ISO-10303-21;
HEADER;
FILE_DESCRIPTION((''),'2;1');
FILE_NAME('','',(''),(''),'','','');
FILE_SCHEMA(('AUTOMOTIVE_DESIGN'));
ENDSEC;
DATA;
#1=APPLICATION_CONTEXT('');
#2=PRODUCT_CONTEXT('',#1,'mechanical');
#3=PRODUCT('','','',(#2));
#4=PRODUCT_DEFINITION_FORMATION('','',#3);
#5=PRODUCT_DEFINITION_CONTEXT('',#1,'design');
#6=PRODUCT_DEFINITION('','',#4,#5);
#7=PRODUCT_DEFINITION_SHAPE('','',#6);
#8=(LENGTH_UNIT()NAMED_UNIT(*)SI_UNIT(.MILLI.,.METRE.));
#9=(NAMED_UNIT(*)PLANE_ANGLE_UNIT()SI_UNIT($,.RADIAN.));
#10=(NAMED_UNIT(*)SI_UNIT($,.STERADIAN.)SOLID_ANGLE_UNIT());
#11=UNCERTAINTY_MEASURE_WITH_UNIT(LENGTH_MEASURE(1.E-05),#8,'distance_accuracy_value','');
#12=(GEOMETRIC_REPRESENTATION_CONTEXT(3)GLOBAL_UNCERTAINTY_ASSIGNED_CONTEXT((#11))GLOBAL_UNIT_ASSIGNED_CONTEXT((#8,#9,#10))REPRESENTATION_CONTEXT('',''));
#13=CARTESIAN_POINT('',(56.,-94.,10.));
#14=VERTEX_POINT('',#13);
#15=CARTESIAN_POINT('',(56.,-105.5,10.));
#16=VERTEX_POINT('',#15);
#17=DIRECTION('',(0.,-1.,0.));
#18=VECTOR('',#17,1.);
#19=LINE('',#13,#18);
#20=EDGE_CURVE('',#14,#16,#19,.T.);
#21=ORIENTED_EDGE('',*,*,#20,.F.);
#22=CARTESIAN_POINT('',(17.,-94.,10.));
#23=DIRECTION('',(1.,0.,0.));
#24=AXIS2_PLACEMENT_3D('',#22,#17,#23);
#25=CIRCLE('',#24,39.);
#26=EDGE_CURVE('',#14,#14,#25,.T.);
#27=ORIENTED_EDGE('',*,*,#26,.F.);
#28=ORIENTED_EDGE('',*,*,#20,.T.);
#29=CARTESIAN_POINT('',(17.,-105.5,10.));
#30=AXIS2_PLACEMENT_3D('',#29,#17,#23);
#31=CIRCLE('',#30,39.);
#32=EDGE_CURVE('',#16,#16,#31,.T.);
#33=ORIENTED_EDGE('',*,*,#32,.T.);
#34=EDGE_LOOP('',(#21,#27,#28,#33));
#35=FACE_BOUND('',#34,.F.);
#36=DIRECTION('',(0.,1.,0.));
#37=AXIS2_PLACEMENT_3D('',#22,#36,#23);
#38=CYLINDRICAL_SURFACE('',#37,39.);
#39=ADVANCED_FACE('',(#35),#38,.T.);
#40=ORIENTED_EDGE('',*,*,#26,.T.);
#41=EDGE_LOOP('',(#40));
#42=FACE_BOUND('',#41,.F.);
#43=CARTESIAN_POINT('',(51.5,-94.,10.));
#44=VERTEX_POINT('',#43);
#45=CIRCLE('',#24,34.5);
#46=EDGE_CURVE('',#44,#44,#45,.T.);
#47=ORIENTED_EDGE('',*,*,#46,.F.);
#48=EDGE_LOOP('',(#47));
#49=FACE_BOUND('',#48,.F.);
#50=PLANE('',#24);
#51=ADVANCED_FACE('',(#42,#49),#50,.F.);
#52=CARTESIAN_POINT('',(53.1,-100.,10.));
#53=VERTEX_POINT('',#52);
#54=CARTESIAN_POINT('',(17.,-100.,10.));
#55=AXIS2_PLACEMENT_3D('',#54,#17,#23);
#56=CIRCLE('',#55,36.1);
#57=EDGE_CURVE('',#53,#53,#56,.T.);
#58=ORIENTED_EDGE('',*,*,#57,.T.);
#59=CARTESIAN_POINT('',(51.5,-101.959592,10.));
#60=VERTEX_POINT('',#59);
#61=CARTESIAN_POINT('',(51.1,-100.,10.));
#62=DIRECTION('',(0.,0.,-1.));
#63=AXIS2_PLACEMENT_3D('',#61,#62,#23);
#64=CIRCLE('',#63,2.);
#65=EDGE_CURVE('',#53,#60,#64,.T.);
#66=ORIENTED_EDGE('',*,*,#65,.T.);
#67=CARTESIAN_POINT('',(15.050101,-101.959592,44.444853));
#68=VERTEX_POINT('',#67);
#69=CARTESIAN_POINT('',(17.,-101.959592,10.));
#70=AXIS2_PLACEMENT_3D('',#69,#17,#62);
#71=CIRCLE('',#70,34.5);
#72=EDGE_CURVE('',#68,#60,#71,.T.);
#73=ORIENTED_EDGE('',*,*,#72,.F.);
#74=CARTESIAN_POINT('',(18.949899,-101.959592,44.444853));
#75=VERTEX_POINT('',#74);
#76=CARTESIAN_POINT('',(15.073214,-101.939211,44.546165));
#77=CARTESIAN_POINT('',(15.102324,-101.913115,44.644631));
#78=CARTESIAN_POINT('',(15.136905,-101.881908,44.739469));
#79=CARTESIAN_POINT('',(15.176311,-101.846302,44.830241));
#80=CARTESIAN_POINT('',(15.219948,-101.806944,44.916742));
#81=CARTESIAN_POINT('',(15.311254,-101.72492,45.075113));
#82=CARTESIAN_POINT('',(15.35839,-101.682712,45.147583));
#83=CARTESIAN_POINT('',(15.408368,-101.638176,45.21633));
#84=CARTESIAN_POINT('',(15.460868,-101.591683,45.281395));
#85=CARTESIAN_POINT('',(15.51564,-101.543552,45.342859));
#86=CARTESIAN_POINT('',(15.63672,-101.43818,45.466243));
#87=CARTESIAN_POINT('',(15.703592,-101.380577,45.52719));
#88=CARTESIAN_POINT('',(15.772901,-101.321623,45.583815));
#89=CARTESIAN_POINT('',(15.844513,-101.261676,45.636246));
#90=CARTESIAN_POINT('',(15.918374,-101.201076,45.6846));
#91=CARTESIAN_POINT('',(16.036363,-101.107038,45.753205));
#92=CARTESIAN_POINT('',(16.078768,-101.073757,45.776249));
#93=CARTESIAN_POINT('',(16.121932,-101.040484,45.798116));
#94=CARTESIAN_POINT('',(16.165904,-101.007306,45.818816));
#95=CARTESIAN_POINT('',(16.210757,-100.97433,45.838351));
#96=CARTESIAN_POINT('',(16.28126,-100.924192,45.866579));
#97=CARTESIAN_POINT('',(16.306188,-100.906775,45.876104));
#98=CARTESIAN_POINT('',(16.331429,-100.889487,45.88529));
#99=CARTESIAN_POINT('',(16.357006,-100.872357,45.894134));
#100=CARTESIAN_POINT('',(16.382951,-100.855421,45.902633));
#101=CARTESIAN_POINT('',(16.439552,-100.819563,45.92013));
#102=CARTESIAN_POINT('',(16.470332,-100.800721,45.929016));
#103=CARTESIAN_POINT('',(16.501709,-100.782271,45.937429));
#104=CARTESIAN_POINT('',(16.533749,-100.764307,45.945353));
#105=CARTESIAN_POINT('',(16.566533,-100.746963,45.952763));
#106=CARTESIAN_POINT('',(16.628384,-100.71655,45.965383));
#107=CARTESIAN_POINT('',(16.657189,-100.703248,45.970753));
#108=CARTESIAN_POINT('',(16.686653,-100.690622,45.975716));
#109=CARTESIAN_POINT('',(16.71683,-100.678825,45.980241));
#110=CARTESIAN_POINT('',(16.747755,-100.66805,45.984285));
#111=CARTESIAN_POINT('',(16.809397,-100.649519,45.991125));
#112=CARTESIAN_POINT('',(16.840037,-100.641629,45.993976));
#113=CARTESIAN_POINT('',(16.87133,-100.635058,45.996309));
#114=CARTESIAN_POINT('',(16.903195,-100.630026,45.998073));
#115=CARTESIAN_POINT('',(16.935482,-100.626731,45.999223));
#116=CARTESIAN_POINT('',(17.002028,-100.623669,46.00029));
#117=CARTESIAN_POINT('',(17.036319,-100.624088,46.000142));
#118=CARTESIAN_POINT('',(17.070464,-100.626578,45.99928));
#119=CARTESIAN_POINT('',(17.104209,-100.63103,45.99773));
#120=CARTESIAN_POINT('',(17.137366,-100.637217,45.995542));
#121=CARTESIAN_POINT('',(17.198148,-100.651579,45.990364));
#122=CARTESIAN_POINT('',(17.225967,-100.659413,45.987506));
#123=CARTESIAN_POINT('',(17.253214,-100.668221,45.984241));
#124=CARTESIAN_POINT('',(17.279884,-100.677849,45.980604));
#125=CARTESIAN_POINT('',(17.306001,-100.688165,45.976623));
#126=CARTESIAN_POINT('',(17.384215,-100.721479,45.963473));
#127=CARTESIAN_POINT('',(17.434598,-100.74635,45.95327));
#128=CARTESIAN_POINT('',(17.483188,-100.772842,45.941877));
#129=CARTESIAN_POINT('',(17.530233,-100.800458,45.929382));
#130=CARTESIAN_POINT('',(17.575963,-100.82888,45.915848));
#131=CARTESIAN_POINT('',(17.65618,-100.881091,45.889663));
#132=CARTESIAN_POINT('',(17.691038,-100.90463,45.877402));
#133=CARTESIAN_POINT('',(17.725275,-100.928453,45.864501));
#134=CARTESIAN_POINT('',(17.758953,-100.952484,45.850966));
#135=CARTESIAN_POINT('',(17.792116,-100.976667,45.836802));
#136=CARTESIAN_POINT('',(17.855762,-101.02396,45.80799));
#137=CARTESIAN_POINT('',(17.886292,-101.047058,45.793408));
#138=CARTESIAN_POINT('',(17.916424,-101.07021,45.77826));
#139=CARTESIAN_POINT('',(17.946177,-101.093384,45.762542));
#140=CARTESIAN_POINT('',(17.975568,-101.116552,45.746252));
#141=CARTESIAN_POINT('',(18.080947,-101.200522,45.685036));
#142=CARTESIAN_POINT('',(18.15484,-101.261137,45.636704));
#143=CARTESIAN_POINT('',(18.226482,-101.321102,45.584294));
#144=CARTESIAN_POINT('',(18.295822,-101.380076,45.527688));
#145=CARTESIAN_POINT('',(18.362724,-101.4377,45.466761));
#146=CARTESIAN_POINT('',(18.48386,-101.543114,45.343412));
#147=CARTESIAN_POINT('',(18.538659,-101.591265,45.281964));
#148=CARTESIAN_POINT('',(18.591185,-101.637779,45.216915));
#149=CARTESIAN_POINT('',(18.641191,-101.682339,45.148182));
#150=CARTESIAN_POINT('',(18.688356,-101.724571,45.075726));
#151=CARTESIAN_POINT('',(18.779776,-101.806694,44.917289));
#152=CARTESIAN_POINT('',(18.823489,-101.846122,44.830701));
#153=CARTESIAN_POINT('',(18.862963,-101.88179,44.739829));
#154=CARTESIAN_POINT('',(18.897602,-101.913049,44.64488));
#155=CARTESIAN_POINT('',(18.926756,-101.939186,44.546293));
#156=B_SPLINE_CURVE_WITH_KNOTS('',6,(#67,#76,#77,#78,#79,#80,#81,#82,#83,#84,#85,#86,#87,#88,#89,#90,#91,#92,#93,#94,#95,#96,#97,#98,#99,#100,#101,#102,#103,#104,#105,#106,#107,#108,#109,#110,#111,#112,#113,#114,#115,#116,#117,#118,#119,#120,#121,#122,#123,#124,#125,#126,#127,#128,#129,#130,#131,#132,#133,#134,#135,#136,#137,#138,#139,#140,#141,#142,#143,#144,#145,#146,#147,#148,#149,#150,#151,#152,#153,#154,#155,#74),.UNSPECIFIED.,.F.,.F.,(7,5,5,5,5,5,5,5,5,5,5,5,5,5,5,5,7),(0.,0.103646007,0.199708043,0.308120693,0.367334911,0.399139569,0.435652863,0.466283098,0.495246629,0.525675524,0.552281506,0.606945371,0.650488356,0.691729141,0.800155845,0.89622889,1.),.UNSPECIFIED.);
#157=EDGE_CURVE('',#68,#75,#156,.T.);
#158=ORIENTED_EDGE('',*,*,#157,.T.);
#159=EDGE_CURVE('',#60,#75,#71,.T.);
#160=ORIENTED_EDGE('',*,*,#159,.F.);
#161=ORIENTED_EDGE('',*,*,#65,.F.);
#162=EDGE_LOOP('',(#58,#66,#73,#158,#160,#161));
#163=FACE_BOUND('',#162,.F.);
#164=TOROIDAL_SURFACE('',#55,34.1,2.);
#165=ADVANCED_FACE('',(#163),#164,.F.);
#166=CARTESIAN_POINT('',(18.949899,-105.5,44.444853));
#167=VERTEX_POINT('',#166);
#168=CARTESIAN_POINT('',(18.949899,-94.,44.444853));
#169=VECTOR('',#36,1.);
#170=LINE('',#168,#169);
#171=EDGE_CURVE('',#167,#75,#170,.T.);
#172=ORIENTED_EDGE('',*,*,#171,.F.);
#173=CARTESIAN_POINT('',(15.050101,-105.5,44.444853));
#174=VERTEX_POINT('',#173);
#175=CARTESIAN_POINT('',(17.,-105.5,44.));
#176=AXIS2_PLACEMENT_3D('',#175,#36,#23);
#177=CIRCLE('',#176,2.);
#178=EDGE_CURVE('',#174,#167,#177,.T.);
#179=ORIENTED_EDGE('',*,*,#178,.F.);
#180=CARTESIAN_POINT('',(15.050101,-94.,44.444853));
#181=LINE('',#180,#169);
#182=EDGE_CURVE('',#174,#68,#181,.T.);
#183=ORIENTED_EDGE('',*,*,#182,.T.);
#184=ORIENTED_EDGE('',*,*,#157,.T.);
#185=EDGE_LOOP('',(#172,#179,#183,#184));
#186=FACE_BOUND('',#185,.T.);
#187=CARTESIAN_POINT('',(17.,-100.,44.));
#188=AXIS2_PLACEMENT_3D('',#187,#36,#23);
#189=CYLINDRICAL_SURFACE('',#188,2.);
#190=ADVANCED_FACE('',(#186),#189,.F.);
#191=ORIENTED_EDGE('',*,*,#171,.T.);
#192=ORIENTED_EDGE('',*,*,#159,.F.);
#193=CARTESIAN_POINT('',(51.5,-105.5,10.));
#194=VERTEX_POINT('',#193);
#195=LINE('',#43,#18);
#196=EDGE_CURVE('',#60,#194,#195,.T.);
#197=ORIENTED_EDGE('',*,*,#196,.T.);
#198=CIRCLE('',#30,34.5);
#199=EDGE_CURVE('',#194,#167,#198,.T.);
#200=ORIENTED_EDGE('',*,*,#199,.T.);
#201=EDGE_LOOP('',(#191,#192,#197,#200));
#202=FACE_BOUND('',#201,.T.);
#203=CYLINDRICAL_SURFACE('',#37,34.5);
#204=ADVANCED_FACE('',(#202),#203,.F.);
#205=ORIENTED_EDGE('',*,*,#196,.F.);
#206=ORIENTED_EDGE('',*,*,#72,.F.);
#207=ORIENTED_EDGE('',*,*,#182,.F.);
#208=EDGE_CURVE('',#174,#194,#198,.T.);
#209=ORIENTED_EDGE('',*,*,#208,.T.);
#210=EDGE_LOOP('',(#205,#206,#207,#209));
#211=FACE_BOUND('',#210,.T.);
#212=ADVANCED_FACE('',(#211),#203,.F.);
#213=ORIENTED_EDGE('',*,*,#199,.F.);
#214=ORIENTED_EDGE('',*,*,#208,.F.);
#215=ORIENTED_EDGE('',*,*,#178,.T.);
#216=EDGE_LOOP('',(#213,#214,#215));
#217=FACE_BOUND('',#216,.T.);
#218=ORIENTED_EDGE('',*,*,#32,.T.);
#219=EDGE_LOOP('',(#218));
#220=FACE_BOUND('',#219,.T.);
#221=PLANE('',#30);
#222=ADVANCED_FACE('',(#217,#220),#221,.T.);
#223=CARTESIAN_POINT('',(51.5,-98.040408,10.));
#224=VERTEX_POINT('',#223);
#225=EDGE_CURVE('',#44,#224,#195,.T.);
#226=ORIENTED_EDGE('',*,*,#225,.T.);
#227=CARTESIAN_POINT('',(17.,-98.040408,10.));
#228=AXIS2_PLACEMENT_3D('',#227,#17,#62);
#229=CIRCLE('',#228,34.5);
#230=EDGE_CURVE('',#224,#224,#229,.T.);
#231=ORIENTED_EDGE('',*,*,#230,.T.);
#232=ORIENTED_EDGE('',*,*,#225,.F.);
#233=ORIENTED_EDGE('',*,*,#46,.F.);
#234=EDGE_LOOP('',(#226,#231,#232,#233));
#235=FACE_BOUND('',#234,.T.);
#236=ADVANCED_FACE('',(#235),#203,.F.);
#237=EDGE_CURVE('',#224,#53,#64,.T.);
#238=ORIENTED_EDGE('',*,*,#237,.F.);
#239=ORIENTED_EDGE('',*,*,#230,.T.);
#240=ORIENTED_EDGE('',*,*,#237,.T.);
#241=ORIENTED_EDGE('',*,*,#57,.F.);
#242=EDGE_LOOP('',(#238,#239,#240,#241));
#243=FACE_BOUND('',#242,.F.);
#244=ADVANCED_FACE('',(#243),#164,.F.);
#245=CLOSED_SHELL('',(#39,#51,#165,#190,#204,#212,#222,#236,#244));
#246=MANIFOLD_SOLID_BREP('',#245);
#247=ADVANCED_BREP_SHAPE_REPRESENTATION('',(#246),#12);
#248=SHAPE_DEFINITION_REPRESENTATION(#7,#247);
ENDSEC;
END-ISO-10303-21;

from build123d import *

# Parameters (mm, degrees)
CYLINDER2620_R     = 2
CYLINDER2620_DEPTH = 10
TORUS004_R         = 2
TUBE115_R          = 39
TUBE115_R_2        = 34.5
TUBE115_DEPTH      = 11.5


with BuildPart() as v_lec2590:
    # Cylinder2620 → Cylinder2620 (new body)
    with BuildSketch(Plane(origin=(17, -98, 44), x_dir=(1, 0, 0), z_dir=(0, -1, 0))):
        Circle(CYLINDER2620_R)
    extrude(amount=CYLINDER2620_DEPTH)


with BuildPart() as anuloid004:
    # Torus004 → Torus004 (revolve)
    with BuildSketch(Plane(origin=(17, -98, 10), x_dir=(1, 0, 0), z_dir=(0, 0, -1))):
        with Locations((34.1, 0)):
            Circle(TORUS004_R)
    revolve(axis=Axis((17, -98, 10), (0, -1, 0)))


with BuildPart() as cut970:
    # Tube115 → Tube115 (new body)
    with BuildSketch(Plane(origin=(17, -92, 10), x_dir=(1, 0, 0), z_dir=(0, -1, 0))):
        Circle(TUBE115_R)
        Circle(TUBE115_R_2, mode=Mode.SUBTRACT)
    extrude(amount=TUBE115_DEPTH)

    # Cut969: cut Anuloid004
    add(anuloid004.part, mode=Mode.SUBTRACT)

    # Cut970: cut Válec2590
    add(v_lec2590.part, mode=Mode.SUBTRACT)


with BuildPart() as cut970_1:
    # Cut970 placement: moved
    add(cut970.part.moved(Location((0, -2, 0))))


solid = cut970_1.part
